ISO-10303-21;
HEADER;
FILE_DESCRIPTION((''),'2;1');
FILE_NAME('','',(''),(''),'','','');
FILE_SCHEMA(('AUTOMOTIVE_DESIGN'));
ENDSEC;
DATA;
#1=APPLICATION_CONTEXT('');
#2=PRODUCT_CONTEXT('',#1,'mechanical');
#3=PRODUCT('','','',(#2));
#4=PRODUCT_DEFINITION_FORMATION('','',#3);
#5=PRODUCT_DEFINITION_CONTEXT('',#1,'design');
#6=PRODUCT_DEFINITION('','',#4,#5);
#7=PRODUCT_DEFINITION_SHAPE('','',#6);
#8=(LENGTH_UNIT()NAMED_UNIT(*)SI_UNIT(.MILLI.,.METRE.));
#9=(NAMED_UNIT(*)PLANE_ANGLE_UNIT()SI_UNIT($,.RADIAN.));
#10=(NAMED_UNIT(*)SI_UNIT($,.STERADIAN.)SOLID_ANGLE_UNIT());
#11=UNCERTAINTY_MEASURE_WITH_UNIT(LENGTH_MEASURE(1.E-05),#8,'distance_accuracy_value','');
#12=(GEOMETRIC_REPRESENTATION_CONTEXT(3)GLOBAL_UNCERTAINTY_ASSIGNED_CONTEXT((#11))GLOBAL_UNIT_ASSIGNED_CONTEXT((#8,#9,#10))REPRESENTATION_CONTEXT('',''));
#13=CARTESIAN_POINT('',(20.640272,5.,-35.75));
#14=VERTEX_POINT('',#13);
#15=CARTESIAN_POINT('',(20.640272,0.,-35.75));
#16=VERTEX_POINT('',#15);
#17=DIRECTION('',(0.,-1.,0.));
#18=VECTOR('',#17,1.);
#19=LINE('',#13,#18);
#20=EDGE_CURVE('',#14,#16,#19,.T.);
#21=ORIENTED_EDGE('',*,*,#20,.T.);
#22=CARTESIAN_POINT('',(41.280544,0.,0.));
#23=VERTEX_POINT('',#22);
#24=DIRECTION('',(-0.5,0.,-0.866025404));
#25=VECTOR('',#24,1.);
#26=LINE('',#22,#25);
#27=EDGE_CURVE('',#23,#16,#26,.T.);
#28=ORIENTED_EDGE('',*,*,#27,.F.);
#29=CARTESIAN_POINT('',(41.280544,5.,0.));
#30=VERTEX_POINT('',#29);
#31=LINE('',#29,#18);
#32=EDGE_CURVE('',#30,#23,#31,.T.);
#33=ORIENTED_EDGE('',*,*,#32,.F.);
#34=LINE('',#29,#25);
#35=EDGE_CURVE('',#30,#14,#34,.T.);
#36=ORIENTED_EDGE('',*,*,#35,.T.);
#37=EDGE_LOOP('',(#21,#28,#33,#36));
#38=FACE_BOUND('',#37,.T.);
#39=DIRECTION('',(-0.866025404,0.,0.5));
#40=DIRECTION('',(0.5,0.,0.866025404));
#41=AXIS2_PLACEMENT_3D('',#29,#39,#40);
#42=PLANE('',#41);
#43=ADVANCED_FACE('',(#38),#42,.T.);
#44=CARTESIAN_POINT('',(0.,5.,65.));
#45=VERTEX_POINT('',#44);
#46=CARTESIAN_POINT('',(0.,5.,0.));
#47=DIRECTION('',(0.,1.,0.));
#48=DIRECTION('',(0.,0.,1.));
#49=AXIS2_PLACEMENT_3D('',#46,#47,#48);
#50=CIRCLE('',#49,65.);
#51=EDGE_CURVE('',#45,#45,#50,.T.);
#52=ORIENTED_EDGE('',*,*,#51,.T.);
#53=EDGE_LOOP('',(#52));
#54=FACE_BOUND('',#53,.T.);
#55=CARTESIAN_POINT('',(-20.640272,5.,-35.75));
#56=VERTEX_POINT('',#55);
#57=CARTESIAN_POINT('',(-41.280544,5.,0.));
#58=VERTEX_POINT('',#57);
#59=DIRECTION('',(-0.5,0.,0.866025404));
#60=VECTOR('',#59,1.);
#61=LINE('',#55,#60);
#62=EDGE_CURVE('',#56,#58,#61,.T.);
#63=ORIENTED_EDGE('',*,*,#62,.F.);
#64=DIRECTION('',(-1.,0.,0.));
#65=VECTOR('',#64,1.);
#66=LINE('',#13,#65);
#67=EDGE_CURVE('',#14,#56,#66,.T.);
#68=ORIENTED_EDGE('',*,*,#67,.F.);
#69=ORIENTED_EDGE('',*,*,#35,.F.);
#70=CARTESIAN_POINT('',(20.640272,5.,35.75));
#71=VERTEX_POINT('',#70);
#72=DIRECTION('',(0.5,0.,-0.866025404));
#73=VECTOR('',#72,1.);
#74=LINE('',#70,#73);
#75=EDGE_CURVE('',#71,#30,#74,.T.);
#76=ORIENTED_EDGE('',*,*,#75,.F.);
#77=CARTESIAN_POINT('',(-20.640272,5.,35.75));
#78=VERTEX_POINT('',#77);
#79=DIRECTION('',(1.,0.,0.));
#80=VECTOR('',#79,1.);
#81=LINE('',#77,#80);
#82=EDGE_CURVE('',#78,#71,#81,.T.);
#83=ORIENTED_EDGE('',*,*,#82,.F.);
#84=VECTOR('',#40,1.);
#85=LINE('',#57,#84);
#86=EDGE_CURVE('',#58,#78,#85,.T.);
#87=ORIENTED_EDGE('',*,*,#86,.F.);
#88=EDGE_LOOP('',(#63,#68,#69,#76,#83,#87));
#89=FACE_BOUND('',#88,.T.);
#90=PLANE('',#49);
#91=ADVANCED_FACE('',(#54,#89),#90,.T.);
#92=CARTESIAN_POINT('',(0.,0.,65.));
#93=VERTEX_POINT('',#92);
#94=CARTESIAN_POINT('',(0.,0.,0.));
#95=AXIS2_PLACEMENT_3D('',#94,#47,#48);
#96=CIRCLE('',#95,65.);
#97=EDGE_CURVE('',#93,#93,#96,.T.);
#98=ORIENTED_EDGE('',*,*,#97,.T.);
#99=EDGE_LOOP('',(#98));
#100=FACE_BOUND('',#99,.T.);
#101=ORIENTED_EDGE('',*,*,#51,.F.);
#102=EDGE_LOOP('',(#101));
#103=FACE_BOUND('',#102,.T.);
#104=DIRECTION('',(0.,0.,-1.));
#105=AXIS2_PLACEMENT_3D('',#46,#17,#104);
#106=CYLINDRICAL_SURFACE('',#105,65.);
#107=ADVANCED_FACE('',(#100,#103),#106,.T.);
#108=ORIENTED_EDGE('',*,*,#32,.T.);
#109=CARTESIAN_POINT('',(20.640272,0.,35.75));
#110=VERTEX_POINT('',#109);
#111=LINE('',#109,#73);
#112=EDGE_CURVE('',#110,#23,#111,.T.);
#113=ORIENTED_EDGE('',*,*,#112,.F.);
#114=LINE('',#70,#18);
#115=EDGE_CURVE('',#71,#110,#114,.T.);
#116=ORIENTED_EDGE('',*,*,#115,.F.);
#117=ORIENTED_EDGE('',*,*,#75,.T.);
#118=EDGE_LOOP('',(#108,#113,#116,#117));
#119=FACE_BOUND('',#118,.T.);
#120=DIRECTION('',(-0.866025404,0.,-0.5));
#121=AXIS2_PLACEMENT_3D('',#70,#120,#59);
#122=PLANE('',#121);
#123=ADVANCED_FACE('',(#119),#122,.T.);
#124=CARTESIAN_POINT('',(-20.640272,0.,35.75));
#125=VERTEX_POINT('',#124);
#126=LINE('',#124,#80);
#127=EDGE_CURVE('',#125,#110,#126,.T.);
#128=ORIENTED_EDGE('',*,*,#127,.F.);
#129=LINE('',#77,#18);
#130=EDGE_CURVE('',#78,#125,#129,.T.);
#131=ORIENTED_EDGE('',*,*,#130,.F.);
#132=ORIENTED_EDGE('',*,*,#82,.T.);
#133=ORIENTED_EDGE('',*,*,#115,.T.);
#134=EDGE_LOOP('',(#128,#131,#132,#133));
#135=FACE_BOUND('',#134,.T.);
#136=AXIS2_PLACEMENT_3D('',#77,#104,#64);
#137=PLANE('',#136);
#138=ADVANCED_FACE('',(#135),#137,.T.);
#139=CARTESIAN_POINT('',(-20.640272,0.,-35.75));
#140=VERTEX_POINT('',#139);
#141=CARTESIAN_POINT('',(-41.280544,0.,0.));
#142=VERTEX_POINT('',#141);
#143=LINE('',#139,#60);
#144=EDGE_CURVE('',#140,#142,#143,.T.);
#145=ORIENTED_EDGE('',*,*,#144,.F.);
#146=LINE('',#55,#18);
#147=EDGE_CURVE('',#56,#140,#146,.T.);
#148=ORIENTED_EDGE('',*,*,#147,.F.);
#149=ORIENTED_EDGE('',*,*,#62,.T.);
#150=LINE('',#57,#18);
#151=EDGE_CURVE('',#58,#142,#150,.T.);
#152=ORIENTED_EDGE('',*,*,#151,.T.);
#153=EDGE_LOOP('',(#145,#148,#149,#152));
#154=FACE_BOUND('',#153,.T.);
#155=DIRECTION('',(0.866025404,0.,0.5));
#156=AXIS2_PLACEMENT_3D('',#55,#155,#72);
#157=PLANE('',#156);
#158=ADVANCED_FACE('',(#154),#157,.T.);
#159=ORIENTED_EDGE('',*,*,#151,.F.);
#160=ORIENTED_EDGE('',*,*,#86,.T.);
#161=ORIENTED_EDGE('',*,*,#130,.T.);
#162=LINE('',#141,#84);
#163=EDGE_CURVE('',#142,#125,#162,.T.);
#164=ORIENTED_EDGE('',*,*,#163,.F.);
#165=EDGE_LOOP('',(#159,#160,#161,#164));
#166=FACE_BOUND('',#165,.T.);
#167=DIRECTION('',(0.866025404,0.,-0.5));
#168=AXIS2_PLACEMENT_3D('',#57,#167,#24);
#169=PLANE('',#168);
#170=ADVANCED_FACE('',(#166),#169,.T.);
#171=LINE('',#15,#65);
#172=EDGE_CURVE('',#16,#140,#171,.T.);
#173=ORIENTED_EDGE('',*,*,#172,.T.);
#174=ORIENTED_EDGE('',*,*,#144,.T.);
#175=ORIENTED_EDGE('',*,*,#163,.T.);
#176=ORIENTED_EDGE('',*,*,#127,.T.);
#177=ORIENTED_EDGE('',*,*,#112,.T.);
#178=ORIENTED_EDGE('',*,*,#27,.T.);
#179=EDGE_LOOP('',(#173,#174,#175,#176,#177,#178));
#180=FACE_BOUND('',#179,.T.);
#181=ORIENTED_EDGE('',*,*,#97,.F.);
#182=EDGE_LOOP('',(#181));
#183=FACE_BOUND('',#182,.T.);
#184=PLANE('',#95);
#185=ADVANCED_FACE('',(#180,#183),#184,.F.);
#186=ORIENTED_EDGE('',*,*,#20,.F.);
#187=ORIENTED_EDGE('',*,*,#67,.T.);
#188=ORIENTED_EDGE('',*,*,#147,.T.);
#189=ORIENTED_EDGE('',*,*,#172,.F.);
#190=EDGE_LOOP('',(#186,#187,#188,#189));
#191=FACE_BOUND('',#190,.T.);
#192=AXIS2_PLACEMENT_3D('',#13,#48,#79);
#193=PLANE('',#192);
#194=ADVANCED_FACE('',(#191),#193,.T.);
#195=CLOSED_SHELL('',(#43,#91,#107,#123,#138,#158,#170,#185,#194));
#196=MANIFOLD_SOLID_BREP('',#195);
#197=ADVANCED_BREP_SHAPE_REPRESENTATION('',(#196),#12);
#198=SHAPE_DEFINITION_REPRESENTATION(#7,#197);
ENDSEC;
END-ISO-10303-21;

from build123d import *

# Parameters (mm, degrees)
SKIZZE1_R                       = 65
AUFSATZ_LINEAR_AUSTRAGEN1_DEPTH = 5


with BuildPart() as part:
    # Skizze1 → Aufsatz-Linear austragen1 (new body)
    with BuildSketch(Plane(origin=(0, 0, 0), x_dir=(1, 0, 0), z_dir=(0, 1, 0))):
        with Locations(Location((0, 0, 0), (0, 0, 270))):
            Circle(SKIZZE1_R)
        Polygon((41.280544247, 0), (20.640272124, 35.75), (-20.640272124, 35.75), (-41.280544247, 0), (-20.640272124, -35.75), (20.640272124, -35.75), align=None, mode=Mode.SUBTRACT)
    extrude(amount=AUFSATZ_LINEAR_AUSTRAGEN1_DEPTH)


solid = part.part
